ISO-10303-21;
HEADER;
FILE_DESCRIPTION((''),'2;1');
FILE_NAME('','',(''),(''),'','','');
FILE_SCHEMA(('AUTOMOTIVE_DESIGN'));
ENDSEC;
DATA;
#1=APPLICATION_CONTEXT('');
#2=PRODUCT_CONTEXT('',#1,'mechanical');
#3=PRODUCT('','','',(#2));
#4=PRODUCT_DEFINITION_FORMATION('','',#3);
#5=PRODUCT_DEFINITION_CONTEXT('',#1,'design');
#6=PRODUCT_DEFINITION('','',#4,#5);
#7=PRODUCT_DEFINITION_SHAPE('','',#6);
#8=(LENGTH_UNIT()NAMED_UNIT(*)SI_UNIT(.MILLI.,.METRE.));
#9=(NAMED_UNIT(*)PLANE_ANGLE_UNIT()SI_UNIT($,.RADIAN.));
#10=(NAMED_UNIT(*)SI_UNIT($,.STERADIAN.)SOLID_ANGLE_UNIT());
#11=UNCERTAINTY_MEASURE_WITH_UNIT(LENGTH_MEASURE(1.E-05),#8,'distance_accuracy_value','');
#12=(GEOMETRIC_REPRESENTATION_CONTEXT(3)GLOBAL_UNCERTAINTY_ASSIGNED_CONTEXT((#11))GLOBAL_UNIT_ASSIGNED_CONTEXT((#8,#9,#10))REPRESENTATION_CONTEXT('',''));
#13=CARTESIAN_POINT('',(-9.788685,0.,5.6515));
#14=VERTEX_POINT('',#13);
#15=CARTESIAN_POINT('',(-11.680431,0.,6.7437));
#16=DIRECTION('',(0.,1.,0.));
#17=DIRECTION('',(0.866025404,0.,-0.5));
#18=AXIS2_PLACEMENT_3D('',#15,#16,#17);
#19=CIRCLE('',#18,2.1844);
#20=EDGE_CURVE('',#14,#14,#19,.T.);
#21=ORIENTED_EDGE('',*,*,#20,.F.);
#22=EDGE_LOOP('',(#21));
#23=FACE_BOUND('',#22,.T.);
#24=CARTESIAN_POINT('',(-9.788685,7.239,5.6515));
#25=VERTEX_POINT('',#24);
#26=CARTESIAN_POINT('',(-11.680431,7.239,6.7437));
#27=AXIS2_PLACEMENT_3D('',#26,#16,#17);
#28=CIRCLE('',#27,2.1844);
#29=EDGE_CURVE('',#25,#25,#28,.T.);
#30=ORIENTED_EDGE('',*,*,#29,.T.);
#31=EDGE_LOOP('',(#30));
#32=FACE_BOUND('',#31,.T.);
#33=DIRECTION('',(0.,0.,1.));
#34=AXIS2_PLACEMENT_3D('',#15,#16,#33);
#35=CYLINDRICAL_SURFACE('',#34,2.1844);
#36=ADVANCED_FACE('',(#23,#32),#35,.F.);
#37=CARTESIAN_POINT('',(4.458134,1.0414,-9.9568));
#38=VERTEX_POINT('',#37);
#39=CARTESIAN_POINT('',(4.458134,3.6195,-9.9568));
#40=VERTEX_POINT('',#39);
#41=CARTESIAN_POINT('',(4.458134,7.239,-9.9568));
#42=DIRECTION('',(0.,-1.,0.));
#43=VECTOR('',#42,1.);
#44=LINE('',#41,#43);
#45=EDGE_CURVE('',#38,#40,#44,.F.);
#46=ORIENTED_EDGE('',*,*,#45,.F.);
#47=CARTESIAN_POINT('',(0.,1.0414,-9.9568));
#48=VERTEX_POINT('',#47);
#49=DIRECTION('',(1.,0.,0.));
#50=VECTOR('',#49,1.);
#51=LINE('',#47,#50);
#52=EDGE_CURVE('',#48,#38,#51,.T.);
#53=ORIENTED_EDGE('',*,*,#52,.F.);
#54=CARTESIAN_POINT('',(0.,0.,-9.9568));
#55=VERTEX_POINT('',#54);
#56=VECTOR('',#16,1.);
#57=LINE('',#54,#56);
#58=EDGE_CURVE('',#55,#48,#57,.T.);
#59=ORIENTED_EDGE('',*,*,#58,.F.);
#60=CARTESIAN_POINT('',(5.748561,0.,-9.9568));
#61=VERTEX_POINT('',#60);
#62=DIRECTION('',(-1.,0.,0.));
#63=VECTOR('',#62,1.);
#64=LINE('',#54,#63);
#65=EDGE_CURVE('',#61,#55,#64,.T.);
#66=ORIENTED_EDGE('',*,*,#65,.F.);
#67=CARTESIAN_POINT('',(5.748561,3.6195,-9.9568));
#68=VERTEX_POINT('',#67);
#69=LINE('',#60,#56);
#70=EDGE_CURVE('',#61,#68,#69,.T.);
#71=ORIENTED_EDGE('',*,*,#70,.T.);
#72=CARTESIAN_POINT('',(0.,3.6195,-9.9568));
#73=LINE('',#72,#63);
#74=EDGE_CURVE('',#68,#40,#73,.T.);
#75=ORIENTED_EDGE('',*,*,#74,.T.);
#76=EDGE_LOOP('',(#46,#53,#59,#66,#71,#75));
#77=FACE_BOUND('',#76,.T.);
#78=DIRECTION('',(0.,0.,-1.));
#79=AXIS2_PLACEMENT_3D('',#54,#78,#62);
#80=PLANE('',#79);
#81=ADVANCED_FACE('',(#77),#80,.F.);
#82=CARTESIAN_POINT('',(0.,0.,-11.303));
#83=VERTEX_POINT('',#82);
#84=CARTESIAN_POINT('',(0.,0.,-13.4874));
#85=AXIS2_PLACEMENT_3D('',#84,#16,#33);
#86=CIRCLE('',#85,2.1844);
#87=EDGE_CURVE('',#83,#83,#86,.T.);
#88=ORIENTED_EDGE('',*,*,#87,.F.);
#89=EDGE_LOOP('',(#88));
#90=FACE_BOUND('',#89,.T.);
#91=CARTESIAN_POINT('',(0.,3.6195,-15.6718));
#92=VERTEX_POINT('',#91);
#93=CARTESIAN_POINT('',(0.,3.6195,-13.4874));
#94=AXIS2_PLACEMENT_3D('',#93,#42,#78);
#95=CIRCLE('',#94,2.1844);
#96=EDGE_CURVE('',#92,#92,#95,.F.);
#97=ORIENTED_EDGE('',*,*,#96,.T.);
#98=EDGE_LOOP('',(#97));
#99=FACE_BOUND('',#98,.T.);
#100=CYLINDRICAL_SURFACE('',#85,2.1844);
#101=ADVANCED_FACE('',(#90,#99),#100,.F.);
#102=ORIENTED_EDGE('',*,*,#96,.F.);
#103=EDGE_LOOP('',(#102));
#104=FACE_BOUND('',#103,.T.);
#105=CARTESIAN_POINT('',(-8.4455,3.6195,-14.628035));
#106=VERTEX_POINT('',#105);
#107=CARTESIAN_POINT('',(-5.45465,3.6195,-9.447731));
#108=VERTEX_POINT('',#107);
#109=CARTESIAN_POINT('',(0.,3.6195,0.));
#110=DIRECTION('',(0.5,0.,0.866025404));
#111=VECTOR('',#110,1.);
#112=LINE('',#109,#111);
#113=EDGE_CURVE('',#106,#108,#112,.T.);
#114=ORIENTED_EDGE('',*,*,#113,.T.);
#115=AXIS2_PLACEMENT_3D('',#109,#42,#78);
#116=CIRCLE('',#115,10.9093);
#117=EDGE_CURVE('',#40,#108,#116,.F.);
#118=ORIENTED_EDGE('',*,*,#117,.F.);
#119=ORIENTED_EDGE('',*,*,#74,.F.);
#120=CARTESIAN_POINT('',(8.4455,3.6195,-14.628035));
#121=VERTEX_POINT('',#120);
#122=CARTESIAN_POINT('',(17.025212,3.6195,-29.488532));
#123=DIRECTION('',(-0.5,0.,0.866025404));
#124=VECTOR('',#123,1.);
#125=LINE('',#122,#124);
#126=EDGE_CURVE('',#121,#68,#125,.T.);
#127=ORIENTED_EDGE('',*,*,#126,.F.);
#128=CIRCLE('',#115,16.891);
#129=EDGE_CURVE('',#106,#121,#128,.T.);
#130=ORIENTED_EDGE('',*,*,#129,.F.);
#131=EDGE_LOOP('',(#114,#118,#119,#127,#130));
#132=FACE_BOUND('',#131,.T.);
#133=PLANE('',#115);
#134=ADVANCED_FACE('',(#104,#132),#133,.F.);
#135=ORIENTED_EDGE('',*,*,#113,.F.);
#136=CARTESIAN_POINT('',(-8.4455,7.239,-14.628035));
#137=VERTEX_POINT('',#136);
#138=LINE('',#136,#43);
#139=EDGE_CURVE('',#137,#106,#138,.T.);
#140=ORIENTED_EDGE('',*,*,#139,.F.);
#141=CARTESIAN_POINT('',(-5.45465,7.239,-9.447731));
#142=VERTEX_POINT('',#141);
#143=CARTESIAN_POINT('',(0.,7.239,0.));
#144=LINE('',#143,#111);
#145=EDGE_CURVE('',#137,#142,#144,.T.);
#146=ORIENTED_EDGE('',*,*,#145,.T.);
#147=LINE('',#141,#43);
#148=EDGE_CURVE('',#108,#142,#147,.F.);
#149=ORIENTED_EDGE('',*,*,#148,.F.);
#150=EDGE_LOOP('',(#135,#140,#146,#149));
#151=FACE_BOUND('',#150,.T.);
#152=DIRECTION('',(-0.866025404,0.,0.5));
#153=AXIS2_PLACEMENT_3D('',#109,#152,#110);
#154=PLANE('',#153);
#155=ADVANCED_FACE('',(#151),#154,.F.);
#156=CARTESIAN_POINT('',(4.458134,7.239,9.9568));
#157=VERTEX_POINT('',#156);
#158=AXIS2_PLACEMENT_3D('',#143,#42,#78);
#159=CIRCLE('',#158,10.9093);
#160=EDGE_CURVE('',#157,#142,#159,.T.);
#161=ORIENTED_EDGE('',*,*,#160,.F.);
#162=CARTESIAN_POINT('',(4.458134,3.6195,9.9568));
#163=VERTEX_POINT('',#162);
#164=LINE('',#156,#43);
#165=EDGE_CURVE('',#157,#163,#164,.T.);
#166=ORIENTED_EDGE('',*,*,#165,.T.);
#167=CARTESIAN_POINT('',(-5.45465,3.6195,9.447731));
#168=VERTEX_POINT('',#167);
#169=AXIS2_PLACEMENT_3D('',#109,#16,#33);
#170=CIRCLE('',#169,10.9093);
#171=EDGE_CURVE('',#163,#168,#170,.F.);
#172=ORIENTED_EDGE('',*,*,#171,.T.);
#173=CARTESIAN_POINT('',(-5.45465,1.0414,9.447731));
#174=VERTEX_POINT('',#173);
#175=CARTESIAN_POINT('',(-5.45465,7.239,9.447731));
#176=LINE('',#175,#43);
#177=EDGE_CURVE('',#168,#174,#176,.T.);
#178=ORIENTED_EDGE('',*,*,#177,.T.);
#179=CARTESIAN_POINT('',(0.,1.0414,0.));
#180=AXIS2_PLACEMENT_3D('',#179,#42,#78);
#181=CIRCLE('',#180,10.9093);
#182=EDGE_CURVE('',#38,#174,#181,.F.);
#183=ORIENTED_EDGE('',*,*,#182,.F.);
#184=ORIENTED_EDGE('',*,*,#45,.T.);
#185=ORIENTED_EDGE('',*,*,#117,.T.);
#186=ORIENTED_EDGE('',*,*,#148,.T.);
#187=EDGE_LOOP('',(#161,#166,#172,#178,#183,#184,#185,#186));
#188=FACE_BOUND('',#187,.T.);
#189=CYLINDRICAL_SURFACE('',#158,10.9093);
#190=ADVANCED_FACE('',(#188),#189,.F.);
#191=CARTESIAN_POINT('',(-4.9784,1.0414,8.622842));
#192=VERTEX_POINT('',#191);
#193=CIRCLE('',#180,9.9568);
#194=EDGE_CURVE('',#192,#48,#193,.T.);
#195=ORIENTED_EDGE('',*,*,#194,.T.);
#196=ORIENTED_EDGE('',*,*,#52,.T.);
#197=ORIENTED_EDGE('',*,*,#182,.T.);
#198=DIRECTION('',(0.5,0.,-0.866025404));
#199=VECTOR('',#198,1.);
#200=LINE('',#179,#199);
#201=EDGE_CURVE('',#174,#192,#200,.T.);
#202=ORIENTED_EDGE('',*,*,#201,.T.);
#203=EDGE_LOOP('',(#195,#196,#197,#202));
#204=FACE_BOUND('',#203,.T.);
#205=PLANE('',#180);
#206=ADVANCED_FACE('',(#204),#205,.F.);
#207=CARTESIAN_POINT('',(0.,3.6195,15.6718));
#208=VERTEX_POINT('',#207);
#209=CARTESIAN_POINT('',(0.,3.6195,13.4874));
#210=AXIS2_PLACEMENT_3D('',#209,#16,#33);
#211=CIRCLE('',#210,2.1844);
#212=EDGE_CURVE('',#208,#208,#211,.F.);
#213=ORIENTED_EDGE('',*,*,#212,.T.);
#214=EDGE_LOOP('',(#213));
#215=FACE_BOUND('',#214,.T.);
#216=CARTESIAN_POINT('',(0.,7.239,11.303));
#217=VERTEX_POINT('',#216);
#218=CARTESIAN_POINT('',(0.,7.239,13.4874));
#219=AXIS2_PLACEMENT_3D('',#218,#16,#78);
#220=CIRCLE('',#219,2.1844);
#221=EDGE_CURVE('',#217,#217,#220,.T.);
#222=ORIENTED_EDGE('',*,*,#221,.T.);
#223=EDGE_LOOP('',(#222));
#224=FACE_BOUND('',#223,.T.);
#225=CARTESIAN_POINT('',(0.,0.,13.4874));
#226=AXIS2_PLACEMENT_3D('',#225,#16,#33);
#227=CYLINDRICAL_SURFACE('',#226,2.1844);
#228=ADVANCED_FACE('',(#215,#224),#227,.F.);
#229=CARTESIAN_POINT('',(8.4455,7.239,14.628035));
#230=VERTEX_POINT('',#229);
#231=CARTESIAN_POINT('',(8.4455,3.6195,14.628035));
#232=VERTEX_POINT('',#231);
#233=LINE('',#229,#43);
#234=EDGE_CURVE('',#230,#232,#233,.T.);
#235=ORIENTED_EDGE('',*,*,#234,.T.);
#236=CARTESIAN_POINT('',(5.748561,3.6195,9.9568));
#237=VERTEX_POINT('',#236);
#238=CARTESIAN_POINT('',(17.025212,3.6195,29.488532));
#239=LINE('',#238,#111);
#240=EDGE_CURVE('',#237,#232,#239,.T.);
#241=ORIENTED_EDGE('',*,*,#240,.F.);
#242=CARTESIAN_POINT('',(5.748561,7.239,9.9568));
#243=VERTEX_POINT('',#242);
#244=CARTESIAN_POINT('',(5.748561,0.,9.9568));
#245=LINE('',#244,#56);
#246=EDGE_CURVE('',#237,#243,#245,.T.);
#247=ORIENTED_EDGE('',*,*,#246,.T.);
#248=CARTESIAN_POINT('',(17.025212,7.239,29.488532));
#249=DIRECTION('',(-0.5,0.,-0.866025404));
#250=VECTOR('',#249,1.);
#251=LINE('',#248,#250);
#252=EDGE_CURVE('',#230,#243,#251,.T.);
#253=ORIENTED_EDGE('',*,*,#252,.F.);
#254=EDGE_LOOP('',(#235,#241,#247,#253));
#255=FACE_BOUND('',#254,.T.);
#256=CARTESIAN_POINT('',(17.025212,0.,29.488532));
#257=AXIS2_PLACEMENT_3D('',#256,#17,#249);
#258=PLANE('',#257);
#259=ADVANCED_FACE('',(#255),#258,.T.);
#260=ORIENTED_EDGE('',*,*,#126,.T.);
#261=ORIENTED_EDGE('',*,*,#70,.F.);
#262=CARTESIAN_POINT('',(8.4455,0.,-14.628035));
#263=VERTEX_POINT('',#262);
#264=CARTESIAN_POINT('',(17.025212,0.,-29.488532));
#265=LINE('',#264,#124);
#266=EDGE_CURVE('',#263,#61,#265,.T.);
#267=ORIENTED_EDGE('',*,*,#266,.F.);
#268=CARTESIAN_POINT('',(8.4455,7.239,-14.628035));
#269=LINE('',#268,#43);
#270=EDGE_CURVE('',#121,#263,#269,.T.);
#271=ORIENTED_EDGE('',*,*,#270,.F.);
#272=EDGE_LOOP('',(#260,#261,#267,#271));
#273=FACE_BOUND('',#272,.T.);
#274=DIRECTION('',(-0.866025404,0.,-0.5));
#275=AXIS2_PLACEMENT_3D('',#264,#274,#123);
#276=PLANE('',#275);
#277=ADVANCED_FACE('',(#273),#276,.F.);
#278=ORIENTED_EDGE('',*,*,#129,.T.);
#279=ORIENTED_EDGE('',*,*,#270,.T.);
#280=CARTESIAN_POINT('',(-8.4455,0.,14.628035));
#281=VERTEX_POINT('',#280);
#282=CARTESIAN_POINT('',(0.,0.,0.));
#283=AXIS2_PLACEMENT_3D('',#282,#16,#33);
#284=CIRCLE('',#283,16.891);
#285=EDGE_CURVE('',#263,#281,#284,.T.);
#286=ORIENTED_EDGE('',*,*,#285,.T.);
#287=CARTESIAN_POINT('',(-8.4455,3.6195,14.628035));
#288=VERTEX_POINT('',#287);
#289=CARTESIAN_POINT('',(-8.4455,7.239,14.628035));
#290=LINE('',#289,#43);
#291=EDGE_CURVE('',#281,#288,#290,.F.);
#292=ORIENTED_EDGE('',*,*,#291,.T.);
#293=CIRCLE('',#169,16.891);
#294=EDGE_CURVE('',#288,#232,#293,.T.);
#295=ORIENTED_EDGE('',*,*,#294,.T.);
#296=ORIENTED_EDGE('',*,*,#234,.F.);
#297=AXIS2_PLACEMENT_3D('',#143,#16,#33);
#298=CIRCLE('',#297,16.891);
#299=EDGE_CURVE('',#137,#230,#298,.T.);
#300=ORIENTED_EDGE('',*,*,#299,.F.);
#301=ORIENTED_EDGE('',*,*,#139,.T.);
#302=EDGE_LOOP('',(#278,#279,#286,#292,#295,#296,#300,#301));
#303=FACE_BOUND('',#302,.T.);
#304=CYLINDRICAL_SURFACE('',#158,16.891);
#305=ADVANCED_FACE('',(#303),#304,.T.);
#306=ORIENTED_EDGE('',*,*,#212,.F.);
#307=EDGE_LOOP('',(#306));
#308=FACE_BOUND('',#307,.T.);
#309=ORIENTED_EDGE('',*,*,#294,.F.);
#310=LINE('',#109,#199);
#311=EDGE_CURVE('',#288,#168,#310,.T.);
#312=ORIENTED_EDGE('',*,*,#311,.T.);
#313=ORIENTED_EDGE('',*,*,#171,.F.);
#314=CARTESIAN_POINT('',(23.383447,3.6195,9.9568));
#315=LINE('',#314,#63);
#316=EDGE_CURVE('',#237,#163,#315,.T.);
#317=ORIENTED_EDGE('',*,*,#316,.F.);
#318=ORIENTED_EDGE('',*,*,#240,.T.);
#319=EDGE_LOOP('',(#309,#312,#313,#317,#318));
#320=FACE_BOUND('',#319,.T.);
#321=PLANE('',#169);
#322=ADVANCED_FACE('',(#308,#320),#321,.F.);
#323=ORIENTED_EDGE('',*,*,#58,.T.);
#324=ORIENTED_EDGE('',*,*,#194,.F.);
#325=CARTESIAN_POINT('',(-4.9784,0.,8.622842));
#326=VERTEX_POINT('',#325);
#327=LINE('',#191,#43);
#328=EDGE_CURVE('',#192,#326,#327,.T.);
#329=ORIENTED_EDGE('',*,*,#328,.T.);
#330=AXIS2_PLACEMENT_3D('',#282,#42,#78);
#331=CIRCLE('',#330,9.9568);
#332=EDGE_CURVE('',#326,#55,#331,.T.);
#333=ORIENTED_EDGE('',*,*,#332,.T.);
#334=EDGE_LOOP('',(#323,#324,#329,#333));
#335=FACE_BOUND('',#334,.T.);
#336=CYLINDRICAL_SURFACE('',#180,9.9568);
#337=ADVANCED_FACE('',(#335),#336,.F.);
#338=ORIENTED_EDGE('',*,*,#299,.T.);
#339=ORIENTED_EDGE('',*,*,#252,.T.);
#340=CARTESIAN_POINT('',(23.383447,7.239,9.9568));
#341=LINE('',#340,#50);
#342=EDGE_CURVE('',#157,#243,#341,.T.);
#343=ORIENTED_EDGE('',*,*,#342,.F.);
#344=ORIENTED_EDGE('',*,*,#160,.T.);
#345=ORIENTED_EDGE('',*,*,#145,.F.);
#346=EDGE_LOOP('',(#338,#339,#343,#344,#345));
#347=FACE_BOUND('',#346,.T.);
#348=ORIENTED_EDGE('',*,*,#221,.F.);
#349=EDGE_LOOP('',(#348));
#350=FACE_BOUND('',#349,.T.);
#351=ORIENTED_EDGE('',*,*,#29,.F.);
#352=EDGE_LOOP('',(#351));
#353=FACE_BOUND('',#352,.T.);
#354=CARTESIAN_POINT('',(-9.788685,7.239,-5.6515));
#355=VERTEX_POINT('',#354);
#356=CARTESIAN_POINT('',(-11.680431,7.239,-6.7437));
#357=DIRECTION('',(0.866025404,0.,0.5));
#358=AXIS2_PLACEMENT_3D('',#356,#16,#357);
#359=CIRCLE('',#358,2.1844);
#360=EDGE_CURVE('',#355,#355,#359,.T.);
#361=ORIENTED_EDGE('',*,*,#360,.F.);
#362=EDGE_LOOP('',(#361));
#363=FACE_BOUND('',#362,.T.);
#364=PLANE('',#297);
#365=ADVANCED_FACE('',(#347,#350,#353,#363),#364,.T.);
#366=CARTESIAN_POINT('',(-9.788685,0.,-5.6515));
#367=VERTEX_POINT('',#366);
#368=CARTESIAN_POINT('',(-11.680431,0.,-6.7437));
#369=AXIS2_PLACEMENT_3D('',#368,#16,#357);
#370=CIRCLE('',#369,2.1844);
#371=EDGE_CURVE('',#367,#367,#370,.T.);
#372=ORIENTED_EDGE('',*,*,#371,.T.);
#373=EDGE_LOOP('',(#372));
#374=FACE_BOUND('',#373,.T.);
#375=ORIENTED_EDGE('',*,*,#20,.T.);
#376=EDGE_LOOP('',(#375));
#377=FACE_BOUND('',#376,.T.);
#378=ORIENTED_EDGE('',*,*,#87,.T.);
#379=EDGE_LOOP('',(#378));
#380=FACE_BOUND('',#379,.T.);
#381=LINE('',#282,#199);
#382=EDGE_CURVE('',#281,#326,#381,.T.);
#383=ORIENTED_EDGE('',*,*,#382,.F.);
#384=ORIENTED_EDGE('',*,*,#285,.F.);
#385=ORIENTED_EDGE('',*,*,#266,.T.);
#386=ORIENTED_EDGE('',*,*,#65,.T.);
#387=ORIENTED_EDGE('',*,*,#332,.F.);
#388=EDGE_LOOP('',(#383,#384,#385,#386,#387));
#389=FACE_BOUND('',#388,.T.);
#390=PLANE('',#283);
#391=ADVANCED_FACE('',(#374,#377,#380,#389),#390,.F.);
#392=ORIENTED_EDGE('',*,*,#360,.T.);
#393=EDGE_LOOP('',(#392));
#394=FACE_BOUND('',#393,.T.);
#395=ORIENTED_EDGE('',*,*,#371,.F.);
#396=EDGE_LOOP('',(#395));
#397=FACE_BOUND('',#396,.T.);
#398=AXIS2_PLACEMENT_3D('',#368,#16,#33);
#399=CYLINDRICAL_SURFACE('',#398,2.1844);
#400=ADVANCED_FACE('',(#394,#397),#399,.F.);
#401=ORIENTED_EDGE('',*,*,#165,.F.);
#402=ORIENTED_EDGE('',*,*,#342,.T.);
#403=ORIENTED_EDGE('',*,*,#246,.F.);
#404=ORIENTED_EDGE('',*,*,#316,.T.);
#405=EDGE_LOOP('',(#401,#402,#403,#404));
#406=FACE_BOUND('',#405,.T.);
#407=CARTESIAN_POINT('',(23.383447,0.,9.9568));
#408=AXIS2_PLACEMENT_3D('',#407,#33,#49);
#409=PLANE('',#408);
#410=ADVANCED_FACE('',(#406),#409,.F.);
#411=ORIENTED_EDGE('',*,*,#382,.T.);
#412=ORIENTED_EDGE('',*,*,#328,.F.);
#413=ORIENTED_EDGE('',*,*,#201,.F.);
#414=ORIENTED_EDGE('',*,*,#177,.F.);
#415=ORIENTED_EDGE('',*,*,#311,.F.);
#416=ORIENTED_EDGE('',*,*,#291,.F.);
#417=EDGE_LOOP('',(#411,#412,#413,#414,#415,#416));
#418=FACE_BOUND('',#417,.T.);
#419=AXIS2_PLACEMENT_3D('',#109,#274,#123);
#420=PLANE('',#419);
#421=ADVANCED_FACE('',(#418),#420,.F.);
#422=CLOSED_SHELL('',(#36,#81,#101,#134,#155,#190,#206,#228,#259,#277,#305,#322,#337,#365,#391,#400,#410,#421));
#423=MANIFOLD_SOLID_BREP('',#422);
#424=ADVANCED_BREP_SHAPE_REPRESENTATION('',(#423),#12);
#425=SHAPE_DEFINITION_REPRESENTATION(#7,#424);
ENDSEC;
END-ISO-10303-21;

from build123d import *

# Parameters (mm, degrees)
SKETCH1_R         = 16.891
EXTRUDE1_DEPTH    = 7.239
SKETCH2_R         = 10.9093
EXTRUDE2_DEPTH    = 25.960266084
SKETCH3_R         = 10.9093
SKETCH3_R_2       = 9.9568
EXTRUDE3_DEPTH    = 1.0414
SKETCH4_R         = 2.1844
EXTRUDE4_DEPTH    = 25.960266084
CIRPATTERN1_COUNT = 6
SKETCH5_W         = 23.383447214
SKETCH5_H         = 19.9136
EXTRUDE6_DEPTH    = 25.960266084
EXTRUDE7_DEPTH    = 25.960266084
EXTRUDE8_DEPTH    = 3.6195
EXTRUDE9_DEPTH    = 3.6195


with BuildPart() as part:
    # Sketch1 → Extrude1 (new body)
    with BuildSketch(Plane(origin=(0, 0, 0), x_dir=(1, 0, 0), z_dir=(0, 1, 0))):
        with Locations(Location((0, 0, 0), (0, 0, 270))):
            Circle(SKETCH1_R)
    extrude(amount=EXTRUDE1_DEPTH)

    # Sketch2 → Extrude2 (cut, through all)
    with BuildSketch(Plane.XZ):
        with Locations(Location((0, 0, 0), (0, 0, 270))):
            Circle(SKETCH2_R)
    extrude(amount=-EXTRUDE2_DEPTH, mode=Mode.SUBTRACT)

    # Sketch3 → Extrude3 (add)
    with BuildSketch(Plane.XZ):
        with Locations(Location((0, 0, 0), (0, 0, 270))):
            Circle(SKETCH3_R)
        with Locations(Location((0, 0, 0), (0, 0, 270))):
            Circle(SKETCH3_R_2, mode=Mode.SUBTRACT)
    extrude(amount=-EXTRUDE3_DEPTH)

    # Sketch4 → Extrude4 (cut, through all)
    with BuildSketch(Plane(origin=(0, 7.239, 0), x_dir=(1, 0, 0), z_dir=(0, 1, 0))):
        with Locations(Location((0, 13.4874, 0), (0, 0, 270))):
            Circle(SKETCH4_R)
    extrude4 = extrude(amount=-EXTRUDE4_DEPTH, mode=Mode.SUBTRACT)

    # CirPattern1: Extrude4 ×6 about axis
    cirpattern1_axis = Axis((0, 0, 0), (0, 1, 0))
    for i in range(1, CIRPATTERN1_COUNT):
        add(extrude4.rotate(cirpattern1_axis, i * 360 / CIRPATTERN1_COUNT), mode=Mode.SUBTRACT)

    # Sketch5 → Extrude6 (cut, through all)
    with BuildSketch(Plane(origin=(0, 7.239, 0), x_dir=(1, 0, 0), z_dir=(0, 1, 0))):
        with Locations((11.691723607, 0)):
            Rectangle(SKETCH5_W, SKETCH5_H)
    extrude(amount=-EXTRUDE6_DEPTH, mode=Mode.SUBTRACT)

    # Sketch8 → Extrude7 (cut, through all)
    with BuildSketch(Plane(origin=(0, 7.239, 0), x_dir=(1, 0, 0), z_dir=(0, 1, 0))):
        Polygon((0, 0), (17.025211733, 0), (17.025211733, 29.488531731), align=None)
    extrude7 = extrude(amount=-EXTRUDE7_DEPTH, mode=Mode.SUBTRACT)

    # Mirror1: Extrude7 across plane
    add(extrude7.mirror(Plane.XY), mode=Mode.SUBTRACT)

    # Sketch9 → Extrude8 (cut)
    with BuildSketch(Plane(origin=(0, 7.239, 0), x_dir=(1, 0, 0), z_dir=(0, 1, 0))):
        Polygon((0, 0), (-11.081515353, 19.193747616), (11.081515353, 19.193747616), align=None)
    extrude(amount=-EXTRUDE8_DEPTH, mode=Mode.SUBTRACT)

    # Sketch10 → Extrude9 (cut)
    with BuildSketch(Plane.XZ):
        Polygon((0, 0), (-13.504747016, 23.390907976), (14.410908918, 24.960426429), align=None)
    extrude(amount=-EXTRUDE9_DEPTH, mode=Mode.SUBTRACT)


solid = part.part
